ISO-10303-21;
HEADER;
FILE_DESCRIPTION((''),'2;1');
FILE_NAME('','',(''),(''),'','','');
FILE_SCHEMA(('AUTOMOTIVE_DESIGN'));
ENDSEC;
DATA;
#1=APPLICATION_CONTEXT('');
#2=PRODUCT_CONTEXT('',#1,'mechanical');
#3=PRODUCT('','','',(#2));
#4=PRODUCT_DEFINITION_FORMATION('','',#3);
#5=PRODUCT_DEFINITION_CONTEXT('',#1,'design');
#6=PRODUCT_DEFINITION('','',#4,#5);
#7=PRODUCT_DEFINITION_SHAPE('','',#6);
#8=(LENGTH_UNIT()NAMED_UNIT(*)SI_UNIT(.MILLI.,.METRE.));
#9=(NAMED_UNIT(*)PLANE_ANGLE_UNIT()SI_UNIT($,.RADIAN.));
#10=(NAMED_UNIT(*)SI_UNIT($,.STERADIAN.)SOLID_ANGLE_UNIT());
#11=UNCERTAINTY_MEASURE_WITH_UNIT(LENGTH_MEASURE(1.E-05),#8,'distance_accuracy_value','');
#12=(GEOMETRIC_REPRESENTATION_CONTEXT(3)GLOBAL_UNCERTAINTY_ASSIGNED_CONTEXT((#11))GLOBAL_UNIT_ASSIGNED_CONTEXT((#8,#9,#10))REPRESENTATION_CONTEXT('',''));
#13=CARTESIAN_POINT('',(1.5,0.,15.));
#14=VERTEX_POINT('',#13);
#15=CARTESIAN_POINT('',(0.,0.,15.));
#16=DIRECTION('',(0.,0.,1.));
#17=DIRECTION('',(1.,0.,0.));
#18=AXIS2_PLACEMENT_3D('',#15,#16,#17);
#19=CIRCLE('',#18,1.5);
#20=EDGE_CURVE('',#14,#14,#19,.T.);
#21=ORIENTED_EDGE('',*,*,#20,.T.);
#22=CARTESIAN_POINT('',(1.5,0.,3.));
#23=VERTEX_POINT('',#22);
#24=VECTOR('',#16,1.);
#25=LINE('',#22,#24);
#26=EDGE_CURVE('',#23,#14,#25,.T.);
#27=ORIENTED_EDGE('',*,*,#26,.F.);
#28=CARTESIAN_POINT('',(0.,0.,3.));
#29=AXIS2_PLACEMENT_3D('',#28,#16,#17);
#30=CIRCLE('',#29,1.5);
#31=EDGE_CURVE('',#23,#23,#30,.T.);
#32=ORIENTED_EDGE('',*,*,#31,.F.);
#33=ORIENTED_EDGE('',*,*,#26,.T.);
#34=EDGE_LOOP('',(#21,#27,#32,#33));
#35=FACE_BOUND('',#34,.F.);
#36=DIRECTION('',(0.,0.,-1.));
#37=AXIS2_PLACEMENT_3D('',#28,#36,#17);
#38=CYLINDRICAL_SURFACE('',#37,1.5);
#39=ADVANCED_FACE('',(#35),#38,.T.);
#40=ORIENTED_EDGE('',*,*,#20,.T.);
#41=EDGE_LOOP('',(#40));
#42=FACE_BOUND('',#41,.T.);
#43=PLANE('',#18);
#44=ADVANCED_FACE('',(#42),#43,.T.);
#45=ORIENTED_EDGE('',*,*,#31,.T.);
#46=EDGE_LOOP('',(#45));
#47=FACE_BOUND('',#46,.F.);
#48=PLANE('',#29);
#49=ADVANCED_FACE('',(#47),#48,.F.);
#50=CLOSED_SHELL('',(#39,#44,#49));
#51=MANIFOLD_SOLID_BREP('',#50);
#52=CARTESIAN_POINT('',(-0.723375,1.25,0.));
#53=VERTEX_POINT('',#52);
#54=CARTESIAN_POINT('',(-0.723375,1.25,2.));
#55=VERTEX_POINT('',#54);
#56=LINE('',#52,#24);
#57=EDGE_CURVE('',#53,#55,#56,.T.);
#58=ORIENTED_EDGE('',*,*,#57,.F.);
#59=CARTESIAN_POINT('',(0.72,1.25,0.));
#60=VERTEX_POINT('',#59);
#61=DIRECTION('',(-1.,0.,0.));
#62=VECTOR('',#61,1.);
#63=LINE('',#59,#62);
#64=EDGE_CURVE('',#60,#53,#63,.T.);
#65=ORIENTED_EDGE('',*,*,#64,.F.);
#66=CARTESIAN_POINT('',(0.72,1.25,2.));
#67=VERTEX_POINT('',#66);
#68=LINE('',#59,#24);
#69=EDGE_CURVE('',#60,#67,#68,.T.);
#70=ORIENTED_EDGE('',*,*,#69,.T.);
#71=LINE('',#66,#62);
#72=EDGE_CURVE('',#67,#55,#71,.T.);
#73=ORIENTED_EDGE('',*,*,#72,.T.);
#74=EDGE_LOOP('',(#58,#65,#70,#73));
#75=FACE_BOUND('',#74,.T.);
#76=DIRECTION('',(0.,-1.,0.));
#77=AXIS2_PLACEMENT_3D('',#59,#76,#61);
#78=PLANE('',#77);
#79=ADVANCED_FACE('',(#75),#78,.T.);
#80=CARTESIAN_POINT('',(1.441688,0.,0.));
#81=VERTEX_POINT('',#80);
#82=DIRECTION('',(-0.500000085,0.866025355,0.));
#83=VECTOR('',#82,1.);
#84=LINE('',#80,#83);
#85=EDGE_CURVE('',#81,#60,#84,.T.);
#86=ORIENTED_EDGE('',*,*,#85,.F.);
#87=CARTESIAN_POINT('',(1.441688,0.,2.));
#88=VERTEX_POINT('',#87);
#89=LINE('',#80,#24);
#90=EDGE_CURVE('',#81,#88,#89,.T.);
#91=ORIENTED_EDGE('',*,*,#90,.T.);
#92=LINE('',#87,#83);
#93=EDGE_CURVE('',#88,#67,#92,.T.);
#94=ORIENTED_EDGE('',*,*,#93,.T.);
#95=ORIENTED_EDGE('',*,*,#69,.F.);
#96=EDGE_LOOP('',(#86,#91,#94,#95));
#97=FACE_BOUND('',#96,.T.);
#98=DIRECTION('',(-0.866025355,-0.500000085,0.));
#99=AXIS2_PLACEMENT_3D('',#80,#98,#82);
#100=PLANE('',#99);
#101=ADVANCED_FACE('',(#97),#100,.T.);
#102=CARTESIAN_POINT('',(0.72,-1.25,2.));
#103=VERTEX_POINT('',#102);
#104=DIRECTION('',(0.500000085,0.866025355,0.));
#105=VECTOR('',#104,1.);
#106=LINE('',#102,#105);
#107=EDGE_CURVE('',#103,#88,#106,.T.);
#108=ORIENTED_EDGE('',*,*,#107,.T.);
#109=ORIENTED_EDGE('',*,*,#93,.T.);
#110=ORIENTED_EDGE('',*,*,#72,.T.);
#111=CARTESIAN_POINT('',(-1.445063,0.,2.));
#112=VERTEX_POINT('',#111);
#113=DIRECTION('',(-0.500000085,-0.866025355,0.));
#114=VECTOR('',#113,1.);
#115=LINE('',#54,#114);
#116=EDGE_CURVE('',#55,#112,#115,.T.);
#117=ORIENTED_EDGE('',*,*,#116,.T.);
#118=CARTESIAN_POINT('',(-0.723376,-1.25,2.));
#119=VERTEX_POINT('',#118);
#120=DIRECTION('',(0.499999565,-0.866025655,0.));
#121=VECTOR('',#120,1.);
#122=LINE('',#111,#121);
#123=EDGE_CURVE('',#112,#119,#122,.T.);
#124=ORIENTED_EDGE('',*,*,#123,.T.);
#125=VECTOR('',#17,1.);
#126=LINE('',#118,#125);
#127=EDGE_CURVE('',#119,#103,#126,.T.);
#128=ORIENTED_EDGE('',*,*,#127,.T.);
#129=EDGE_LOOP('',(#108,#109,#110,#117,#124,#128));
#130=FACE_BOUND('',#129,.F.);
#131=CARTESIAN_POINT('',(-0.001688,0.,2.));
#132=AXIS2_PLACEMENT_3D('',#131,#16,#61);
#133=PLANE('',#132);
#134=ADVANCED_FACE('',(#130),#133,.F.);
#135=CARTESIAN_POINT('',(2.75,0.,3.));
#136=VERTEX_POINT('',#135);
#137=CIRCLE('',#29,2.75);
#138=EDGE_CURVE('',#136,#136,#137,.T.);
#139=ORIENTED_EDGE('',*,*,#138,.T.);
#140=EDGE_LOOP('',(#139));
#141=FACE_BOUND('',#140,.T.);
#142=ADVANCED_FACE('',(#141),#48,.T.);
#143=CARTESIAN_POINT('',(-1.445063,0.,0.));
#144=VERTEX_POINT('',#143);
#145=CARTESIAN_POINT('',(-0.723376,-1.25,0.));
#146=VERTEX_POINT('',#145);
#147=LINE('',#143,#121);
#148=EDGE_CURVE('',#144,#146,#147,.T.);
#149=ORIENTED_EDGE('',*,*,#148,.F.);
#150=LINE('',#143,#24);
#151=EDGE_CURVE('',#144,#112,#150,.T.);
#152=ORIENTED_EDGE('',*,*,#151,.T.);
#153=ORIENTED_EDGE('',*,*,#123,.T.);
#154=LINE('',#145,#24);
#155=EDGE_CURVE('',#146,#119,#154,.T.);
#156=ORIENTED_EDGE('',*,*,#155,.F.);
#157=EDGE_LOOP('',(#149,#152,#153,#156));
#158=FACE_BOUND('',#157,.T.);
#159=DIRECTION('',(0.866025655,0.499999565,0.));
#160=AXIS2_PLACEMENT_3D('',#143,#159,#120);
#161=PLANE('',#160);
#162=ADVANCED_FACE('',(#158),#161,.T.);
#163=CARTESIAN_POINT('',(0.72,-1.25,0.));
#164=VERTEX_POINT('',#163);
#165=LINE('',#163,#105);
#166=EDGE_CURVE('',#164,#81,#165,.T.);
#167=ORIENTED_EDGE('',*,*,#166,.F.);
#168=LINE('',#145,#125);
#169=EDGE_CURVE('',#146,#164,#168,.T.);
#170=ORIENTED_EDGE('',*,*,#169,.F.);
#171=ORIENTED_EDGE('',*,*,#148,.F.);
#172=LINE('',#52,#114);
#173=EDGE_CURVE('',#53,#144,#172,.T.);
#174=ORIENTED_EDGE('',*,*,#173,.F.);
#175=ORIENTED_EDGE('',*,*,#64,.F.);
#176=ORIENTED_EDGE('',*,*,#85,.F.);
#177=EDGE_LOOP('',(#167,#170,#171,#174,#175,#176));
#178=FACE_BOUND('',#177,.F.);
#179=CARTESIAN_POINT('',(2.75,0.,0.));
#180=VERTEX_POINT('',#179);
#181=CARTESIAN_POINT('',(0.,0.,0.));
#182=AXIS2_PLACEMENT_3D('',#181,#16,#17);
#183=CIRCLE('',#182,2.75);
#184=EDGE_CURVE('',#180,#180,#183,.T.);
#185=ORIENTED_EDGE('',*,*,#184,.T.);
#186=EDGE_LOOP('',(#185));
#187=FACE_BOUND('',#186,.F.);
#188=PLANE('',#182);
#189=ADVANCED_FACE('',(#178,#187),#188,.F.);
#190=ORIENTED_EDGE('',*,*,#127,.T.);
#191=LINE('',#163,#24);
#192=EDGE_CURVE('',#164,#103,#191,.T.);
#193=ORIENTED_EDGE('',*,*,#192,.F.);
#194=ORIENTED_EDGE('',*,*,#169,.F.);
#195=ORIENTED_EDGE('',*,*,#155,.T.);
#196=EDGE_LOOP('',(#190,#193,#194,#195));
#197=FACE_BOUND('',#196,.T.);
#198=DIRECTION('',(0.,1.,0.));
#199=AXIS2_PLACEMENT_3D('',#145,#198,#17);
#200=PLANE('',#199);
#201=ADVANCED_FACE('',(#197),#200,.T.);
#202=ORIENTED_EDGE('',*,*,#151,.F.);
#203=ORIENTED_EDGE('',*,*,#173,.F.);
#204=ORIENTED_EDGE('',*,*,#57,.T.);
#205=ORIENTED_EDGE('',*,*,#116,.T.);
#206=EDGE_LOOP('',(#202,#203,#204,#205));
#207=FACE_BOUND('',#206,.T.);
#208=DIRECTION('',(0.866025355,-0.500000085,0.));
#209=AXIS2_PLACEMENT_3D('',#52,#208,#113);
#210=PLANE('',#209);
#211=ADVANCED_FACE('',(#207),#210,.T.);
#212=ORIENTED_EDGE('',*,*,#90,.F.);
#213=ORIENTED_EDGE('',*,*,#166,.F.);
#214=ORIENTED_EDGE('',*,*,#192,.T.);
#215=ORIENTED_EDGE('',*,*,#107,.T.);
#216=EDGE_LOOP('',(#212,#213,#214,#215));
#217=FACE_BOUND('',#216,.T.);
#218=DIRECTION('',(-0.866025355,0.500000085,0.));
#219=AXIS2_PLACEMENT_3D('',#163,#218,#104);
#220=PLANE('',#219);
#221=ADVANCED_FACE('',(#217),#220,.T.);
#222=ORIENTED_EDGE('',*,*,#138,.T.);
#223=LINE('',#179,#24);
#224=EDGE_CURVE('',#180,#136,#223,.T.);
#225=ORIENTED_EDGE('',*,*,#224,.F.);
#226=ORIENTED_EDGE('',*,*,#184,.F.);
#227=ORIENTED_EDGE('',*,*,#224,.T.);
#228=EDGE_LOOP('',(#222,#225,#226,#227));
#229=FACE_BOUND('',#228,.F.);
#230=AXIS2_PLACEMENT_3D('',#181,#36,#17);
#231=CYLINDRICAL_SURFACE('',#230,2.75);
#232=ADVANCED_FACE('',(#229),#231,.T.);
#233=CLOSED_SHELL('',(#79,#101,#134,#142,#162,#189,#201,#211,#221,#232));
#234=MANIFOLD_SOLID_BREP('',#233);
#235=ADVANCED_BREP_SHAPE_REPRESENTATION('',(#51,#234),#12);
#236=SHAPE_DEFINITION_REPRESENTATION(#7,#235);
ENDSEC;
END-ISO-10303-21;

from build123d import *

# Parameters (mm, degrees)
CYLINDER001_R     = 1.5
CYLINDER001_DEPTH = 12
CYLINDER_R        = 2.75
CYLINDER_DEPTH    = 3
POCKET_DEPTH      = 2


with BuildPart() as cylinder001:
    # Cylinder001 → Cylinder001 (new body)
    with BuildSketch(Plane.XY.offset(3)):
        Circle(CYLINDER001_R)
    extrude(amount=CYLINDER001_DEPTH)


with BuildPart() as pocket:
    # Cylinder → Cylinder (new body)
    with BuildSketch(Plane.XY):
        Circle(CYLINDER_R)
    extrude(amount=CYLINDER_DEPTH)

    # Sketch → Pocket (cut)
    with BuildSketch(Plane(origin=(0, 0, 0), x_dir=(1, 0, 0), z_dir=(0, 0, -1))):
        Polygon((-1.445063, 0), (-0.723376, 1.25), (0.72, 1.25), (1.441688, 0), (0.72, -1.25), (-0.723375, -1.25), align=None)
    extrude(amount=-POCKET_DEPTH, mode=Mode.SUBTRACT)


solid = Compound([cylinder001.part, pocket.part])
